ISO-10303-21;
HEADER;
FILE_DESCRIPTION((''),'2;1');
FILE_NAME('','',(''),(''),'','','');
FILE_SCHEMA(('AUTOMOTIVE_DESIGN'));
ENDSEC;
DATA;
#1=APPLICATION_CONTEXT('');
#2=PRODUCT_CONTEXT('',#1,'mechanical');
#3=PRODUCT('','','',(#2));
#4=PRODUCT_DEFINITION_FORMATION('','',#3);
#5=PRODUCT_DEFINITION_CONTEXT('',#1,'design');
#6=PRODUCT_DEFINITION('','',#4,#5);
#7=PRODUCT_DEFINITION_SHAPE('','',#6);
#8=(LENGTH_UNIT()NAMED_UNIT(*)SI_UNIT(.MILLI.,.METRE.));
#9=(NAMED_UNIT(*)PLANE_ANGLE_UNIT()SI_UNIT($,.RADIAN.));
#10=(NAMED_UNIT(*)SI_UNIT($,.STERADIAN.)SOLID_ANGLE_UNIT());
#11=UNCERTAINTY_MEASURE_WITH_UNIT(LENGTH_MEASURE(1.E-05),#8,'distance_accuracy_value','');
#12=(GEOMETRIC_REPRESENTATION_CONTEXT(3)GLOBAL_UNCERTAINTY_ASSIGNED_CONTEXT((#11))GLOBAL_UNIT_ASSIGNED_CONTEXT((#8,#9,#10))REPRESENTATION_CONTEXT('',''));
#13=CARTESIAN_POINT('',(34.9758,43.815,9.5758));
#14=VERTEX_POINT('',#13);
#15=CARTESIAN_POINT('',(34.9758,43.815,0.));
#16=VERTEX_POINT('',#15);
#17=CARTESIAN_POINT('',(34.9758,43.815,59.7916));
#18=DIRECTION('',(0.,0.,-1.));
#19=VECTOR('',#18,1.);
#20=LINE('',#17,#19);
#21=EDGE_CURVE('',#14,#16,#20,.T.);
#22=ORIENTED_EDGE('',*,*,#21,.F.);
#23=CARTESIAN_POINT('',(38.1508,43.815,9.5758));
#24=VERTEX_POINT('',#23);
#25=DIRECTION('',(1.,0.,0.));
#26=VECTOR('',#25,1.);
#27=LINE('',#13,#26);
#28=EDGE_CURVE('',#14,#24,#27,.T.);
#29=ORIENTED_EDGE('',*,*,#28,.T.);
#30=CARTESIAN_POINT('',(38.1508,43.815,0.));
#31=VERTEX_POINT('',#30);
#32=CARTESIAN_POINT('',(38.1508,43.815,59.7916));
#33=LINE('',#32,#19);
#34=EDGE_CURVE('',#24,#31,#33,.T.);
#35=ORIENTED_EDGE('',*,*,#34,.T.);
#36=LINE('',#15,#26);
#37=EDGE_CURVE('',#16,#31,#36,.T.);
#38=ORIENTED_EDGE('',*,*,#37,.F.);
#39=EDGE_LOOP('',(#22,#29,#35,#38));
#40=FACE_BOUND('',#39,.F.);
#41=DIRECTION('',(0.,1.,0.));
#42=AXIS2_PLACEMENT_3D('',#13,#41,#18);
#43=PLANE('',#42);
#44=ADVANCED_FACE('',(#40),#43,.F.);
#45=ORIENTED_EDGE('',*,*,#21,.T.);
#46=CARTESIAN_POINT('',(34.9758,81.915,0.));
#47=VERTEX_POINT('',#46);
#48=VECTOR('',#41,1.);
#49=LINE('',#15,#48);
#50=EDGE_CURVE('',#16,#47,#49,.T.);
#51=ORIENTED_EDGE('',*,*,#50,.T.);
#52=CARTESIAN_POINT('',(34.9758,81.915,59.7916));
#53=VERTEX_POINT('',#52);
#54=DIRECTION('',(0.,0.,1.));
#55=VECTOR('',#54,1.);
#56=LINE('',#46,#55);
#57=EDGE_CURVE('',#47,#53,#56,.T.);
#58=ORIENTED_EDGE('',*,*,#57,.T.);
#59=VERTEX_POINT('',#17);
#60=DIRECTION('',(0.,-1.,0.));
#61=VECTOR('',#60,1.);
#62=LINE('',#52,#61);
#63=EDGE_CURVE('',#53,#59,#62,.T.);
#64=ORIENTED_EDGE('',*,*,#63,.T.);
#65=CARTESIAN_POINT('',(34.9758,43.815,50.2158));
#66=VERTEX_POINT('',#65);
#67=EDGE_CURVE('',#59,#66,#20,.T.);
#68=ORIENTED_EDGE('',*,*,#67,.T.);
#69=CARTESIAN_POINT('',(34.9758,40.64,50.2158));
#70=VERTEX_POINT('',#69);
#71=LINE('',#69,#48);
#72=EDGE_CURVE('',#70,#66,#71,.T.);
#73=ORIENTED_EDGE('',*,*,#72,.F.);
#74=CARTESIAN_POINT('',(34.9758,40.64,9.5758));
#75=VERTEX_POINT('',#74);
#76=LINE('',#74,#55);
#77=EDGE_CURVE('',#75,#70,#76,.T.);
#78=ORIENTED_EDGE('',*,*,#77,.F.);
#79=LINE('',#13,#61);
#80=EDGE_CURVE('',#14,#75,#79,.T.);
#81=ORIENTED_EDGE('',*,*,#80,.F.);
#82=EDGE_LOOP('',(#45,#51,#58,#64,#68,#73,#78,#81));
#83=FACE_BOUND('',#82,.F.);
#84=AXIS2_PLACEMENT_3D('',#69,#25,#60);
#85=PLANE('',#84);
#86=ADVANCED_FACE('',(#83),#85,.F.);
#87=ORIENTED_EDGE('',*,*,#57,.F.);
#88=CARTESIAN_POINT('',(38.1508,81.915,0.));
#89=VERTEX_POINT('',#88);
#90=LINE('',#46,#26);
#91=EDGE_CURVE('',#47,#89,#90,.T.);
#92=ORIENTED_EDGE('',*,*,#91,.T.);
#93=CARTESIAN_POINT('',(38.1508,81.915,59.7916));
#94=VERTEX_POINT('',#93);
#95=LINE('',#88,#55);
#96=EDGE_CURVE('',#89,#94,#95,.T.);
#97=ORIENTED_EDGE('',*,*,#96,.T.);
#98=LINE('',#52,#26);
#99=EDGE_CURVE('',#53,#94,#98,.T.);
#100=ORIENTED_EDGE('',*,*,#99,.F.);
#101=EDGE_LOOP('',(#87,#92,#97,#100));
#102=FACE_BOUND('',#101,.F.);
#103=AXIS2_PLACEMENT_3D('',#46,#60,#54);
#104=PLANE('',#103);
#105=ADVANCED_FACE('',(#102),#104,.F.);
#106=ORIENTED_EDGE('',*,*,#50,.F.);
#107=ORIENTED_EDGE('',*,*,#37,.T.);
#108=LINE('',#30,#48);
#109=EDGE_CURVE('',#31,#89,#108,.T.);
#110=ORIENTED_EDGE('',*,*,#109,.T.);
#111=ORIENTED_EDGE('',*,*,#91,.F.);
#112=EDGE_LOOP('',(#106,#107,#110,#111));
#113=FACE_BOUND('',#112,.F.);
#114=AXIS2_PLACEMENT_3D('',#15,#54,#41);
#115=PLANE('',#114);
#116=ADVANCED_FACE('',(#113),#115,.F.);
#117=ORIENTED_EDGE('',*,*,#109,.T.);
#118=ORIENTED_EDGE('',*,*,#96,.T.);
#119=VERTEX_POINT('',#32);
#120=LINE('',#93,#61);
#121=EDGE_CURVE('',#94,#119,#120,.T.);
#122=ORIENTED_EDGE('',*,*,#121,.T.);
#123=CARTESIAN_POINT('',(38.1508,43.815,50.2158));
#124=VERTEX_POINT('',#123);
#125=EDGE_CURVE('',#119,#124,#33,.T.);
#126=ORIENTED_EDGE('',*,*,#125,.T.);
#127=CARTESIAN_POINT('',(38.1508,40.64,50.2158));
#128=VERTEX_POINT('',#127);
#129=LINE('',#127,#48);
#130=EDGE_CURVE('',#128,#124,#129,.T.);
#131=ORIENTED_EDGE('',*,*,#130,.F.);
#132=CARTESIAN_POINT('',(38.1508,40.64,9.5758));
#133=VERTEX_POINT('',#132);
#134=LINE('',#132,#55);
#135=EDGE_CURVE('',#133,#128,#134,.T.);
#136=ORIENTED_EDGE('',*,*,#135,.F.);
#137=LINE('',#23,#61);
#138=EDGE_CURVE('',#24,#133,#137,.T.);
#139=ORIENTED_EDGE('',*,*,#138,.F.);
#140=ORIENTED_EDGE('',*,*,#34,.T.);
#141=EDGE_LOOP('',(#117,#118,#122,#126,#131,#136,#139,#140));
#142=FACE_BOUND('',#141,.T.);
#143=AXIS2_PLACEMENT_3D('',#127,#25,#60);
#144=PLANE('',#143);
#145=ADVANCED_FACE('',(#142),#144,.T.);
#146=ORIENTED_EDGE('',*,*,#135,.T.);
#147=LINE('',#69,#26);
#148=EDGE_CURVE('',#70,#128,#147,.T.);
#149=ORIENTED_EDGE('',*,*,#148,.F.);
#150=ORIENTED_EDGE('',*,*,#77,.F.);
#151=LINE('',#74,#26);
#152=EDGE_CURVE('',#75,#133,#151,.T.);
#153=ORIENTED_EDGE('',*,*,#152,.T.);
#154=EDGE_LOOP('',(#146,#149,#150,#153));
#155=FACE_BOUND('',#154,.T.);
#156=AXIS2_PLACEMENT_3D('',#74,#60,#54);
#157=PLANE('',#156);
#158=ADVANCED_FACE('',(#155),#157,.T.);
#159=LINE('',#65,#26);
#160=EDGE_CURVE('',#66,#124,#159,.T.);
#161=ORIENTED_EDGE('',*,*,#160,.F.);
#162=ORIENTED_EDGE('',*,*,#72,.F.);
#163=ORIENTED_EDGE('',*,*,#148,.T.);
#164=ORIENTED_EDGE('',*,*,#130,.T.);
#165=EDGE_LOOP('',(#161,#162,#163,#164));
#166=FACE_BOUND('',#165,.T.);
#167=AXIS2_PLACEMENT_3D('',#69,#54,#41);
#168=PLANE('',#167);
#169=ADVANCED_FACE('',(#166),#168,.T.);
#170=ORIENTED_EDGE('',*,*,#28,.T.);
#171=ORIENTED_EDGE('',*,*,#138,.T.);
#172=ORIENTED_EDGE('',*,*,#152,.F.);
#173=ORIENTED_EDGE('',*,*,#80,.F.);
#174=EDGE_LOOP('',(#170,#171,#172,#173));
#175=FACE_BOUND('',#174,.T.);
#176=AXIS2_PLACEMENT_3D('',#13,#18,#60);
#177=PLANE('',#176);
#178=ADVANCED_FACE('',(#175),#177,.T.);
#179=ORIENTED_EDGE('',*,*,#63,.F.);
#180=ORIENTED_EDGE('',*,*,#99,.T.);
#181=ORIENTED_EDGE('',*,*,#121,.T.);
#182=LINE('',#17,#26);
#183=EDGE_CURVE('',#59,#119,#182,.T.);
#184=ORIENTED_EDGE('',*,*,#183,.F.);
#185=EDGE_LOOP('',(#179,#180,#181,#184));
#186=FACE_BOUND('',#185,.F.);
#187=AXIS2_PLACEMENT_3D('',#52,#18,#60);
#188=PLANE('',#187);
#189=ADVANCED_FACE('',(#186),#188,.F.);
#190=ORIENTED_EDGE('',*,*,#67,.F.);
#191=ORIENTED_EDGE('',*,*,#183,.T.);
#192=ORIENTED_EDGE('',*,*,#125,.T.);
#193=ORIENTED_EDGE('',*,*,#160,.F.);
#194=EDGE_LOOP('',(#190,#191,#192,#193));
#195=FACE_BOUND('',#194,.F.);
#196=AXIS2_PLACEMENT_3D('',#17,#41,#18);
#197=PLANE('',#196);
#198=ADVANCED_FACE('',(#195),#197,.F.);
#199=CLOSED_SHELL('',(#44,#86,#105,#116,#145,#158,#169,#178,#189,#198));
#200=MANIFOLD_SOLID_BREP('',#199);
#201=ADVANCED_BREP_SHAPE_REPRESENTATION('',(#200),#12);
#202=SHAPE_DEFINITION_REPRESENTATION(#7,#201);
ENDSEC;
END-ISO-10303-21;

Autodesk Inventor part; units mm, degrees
ref_plane "YZ Plane" through (0, 0, 0) normal (1, 0, 0) x (0, 1, 0)
ref_plane "XZ Plane" through (0, 0, 0) normal (0, 1, 0) x (-1, 0, 0)
ref_plane "XY Plane" through (0, 0, 0) normal (0, 0, 1) x (1, 0, 0)
sketch "Sketch1" plane through (0, 0, 0) normal (0, 0, 1) x (1, 0, 0)
  line L0 (0, 0) -> (-3.175, 0)
  line L1 (-3.175, 0) -> (-3.175, 40.64)
  line L2 (-3.175, 40.64) -> (0, 40.64)
  line L3 (0, 40.64) -> (0, 0)
  line L4 (-41.275, -9.5758) -> (-3.175, -9.5758)
  line L5 (-3.175, -9.5758) -> (-3.175, 50.2158)
  line L6 (-3.175, 50.2158) -> (-41.275, 50.2158)
  line L7 (-41.275, 50.2158) -> (-41.275, -9.5758)
  point P0 (-22.225, 50.2158)
  point P1 (-22.225, -9.5758)
  point P2 (-3.175, 0)
  point P3 (-3.175, 40.64)
  dimension "d0" = 3.175
  dimension "d1" = 40.64
  dimension "d2" = 59.7916
  dimension "d3" = 9.5758
  dimension "d5" = 38.1
  dimension "d6" = 0
extrude "Extrusion1" add sketch "Sketch1" along normal blind 3.175
move or copy body "Move Body1" bodies to move or copy 1 copy no rotation origin (0, 0, 0) rotation axis (0, 0, 1) rotation angle -90 translate (-40.64, 40.64, 0)
move or copy body "Move Body2" bodies to move or copy 1 copy no rotation origin (0, 0, 0) rotation axis (0, -1, 0) rotation angle -90 translate (9.5758, 0, 9.5758)
move or copy body "Move Body3" bodies to move or copy 1 copy no translate (25.4, 0, 0)
properties part number "servo long side"
